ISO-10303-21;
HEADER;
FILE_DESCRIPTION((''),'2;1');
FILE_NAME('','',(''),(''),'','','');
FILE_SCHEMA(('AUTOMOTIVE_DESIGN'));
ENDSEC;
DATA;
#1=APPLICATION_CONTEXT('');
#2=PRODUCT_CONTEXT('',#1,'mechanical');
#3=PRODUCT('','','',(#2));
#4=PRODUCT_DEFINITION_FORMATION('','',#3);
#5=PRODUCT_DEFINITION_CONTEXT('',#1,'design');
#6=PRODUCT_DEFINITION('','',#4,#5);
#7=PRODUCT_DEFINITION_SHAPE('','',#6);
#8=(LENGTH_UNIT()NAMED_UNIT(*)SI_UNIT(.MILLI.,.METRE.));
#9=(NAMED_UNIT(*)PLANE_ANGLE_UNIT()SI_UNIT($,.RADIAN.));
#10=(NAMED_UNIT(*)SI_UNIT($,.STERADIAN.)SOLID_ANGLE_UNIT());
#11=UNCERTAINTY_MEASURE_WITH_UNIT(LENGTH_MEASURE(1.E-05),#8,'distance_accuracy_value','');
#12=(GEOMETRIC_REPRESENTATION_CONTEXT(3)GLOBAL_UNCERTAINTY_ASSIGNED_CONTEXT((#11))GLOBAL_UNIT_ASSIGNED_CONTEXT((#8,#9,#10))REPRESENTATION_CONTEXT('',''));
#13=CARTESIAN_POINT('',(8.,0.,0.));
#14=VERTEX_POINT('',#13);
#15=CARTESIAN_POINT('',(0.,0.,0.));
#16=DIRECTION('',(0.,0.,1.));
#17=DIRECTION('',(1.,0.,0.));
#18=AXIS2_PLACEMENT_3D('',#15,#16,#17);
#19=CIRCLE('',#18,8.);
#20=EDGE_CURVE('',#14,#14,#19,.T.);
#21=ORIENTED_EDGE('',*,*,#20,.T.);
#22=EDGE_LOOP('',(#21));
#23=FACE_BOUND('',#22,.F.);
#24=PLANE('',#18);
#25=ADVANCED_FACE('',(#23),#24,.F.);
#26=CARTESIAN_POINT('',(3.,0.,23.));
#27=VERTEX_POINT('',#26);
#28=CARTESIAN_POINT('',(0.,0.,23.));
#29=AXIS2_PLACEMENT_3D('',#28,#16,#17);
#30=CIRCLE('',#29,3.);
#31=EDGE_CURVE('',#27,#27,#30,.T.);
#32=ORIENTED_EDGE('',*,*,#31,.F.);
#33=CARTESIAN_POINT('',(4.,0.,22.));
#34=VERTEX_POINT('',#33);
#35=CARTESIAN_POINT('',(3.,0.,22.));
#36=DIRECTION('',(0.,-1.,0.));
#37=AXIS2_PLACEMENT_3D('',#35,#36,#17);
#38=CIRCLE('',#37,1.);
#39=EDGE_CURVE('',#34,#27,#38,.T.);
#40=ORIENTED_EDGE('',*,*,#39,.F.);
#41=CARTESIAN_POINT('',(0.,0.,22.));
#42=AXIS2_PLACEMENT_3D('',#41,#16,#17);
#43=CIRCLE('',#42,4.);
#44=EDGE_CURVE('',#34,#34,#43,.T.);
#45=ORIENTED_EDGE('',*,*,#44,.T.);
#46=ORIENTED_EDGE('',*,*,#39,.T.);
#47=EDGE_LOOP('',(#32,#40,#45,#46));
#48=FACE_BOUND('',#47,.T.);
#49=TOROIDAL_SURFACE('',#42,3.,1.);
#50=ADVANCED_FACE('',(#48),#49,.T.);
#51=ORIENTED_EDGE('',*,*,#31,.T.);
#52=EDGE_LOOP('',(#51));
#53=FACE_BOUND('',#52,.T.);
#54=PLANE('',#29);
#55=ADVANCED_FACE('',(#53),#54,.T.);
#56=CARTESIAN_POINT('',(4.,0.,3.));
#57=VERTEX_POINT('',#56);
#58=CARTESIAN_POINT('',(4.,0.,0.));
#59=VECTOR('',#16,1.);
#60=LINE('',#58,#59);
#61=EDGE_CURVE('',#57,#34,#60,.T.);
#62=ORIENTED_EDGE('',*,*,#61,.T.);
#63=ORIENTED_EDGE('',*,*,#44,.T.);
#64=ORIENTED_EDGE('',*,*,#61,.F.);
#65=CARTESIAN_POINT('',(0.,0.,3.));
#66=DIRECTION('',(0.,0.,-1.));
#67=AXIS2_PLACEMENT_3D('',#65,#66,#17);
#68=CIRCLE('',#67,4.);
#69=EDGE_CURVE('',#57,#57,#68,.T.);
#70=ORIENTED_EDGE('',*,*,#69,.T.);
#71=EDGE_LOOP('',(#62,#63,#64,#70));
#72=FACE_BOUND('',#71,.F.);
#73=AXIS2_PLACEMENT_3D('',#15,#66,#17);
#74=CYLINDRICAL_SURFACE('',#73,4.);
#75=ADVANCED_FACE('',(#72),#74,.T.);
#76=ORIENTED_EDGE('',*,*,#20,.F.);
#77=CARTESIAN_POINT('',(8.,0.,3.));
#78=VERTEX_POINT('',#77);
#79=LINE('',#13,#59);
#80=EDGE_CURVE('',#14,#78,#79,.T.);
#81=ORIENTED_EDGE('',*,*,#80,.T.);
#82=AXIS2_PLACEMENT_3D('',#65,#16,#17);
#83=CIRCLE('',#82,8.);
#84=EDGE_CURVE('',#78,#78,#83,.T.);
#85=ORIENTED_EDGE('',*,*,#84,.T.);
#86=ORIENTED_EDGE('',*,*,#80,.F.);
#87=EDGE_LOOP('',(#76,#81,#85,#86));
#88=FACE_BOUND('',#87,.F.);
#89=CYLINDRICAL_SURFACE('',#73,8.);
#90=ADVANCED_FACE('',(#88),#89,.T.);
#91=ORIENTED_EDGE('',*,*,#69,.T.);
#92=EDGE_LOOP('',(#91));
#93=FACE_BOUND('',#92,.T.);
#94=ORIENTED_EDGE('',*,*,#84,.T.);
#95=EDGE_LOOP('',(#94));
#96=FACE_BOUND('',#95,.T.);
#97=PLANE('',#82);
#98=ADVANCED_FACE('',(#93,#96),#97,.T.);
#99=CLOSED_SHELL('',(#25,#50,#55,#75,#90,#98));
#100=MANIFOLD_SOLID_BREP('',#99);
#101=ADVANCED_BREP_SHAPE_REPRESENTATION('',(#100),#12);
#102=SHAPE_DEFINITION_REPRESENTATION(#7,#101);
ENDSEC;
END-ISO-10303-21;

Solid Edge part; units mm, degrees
sketch "Sketch1" plane through (0, 0, 0) normal (0, 0, 1) x (1, 0, 0)
  circle A0 centre (0, 0) radius 8
extrude "Protrusion1" add sketch "Sketch1" along normal blind 3
sketch "Sketch2" plane through (0, 0, 0) normal (0, 0, 1) x (1, 0, 0)
  circle A0 centre (0, 0) radius 4
extrude "ExtrudedProtrusion_2" add sketch "Sketch2" along normal blind 23
fillet "Round_1" radius 1 1 edges at (-4, 0, 23)
